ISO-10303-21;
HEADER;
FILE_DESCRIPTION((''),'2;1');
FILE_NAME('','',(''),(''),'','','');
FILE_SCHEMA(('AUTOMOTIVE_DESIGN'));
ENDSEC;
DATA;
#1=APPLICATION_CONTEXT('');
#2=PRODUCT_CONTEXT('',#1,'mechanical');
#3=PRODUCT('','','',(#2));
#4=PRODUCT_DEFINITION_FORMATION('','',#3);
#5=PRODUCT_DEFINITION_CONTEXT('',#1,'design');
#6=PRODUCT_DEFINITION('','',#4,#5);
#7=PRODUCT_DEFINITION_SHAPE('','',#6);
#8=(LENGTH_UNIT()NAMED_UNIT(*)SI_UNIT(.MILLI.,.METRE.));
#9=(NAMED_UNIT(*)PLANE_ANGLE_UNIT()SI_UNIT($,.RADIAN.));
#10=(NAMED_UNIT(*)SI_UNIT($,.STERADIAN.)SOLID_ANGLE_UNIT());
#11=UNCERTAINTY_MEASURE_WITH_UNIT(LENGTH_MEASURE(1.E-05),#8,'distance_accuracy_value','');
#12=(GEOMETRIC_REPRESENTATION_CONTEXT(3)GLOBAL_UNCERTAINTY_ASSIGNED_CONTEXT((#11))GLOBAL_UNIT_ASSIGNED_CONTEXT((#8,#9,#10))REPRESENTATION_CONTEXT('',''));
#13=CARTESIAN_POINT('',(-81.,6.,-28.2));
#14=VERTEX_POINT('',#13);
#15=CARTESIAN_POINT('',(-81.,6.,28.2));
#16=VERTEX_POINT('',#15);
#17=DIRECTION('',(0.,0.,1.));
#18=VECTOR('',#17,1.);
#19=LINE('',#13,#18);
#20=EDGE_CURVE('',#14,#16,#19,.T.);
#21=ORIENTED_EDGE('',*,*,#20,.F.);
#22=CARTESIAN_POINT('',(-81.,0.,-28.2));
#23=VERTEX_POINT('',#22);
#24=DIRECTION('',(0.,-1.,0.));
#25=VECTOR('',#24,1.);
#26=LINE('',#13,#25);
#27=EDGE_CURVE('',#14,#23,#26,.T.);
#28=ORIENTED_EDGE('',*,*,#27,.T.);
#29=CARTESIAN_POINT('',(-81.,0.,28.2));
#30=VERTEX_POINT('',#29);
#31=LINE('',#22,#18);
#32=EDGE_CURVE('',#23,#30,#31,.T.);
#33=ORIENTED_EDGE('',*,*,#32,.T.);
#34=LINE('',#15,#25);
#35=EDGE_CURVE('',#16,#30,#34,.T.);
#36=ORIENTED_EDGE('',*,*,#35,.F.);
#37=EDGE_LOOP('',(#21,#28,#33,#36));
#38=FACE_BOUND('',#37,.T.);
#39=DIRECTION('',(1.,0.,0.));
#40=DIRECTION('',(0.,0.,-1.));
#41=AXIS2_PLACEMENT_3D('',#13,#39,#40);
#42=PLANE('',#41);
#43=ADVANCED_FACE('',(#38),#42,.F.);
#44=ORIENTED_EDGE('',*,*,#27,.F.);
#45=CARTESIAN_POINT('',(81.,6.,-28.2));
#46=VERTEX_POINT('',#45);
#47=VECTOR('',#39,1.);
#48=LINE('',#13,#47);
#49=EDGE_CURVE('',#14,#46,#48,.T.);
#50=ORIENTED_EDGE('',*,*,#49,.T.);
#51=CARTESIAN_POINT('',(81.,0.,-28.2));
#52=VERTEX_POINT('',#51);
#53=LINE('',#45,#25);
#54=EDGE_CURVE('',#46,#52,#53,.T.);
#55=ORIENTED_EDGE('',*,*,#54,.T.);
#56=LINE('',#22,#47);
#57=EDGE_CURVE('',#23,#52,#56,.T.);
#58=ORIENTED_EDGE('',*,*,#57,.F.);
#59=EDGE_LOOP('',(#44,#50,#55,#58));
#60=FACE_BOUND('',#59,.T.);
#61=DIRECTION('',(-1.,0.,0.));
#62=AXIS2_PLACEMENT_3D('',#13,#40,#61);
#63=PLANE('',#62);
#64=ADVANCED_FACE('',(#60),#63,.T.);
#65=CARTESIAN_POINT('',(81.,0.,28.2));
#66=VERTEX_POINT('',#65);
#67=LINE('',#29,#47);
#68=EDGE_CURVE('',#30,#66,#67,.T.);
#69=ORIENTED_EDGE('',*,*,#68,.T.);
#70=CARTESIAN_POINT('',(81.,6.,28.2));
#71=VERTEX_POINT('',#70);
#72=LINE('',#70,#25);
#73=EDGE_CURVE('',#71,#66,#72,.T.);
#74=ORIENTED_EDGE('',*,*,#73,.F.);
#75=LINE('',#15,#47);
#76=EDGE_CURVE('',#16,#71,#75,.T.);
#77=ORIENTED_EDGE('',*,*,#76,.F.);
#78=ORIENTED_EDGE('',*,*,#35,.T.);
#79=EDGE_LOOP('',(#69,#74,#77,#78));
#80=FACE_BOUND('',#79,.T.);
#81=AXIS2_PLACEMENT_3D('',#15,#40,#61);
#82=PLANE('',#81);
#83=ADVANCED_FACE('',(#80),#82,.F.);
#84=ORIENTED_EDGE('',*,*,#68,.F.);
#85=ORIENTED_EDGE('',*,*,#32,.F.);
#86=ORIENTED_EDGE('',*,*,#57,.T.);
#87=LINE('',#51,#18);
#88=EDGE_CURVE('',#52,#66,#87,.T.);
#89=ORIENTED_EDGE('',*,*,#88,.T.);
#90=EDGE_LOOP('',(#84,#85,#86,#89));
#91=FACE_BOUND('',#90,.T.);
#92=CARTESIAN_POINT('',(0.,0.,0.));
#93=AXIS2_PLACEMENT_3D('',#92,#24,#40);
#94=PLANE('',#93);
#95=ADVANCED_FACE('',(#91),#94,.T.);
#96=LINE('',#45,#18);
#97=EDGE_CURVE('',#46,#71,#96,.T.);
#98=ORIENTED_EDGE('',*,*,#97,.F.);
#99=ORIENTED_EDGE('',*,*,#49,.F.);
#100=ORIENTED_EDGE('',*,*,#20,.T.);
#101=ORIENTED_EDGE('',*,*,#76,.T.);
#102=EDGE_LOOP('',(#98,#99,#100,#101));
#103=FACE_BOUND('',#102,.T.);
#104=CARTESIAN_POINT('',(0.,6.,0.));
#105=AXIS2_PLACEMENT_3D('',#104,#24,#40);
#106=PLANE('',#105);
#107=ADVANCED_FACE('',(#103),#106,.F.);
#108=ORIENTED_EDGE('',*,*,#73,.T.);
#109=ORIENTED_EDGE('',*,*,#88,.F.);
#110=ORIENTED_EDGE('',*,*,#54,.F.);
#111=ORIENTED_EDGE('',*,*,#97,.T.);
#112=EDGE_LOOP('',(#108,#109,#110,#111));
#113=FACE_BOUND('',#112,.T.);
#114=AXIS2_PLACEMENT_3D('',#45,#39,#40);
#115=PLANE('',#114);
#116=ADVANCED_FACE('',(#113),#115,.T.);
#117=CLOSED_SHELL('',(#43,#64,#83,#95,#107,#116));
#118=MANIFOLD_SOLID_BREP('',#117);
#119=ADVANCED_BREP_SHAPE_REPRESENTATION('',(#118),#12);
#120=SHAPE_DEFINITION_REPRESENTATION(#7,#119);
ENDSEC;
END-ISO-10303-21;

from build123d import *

# Parameters (mm, degrees)
SKETCH1_W           = 162
SKETCH1_H           = 56.4
BOSS_EXTRUDE1_DEPTH = 6


with BuildPart() as part:
    # Sketch1 → Boss-Extrude1 (new body)
    with BuildSketch(Plane(origin=(0, 0, 0), x_dir=(1, 0, 0), z_dir=(0, 1, 0))):
        Rectangle(SKETCH1_W, SKETCH1_H)
    extrude(amount=BOSS_EXTRUDE1_DEPTH)


solid = part.part
